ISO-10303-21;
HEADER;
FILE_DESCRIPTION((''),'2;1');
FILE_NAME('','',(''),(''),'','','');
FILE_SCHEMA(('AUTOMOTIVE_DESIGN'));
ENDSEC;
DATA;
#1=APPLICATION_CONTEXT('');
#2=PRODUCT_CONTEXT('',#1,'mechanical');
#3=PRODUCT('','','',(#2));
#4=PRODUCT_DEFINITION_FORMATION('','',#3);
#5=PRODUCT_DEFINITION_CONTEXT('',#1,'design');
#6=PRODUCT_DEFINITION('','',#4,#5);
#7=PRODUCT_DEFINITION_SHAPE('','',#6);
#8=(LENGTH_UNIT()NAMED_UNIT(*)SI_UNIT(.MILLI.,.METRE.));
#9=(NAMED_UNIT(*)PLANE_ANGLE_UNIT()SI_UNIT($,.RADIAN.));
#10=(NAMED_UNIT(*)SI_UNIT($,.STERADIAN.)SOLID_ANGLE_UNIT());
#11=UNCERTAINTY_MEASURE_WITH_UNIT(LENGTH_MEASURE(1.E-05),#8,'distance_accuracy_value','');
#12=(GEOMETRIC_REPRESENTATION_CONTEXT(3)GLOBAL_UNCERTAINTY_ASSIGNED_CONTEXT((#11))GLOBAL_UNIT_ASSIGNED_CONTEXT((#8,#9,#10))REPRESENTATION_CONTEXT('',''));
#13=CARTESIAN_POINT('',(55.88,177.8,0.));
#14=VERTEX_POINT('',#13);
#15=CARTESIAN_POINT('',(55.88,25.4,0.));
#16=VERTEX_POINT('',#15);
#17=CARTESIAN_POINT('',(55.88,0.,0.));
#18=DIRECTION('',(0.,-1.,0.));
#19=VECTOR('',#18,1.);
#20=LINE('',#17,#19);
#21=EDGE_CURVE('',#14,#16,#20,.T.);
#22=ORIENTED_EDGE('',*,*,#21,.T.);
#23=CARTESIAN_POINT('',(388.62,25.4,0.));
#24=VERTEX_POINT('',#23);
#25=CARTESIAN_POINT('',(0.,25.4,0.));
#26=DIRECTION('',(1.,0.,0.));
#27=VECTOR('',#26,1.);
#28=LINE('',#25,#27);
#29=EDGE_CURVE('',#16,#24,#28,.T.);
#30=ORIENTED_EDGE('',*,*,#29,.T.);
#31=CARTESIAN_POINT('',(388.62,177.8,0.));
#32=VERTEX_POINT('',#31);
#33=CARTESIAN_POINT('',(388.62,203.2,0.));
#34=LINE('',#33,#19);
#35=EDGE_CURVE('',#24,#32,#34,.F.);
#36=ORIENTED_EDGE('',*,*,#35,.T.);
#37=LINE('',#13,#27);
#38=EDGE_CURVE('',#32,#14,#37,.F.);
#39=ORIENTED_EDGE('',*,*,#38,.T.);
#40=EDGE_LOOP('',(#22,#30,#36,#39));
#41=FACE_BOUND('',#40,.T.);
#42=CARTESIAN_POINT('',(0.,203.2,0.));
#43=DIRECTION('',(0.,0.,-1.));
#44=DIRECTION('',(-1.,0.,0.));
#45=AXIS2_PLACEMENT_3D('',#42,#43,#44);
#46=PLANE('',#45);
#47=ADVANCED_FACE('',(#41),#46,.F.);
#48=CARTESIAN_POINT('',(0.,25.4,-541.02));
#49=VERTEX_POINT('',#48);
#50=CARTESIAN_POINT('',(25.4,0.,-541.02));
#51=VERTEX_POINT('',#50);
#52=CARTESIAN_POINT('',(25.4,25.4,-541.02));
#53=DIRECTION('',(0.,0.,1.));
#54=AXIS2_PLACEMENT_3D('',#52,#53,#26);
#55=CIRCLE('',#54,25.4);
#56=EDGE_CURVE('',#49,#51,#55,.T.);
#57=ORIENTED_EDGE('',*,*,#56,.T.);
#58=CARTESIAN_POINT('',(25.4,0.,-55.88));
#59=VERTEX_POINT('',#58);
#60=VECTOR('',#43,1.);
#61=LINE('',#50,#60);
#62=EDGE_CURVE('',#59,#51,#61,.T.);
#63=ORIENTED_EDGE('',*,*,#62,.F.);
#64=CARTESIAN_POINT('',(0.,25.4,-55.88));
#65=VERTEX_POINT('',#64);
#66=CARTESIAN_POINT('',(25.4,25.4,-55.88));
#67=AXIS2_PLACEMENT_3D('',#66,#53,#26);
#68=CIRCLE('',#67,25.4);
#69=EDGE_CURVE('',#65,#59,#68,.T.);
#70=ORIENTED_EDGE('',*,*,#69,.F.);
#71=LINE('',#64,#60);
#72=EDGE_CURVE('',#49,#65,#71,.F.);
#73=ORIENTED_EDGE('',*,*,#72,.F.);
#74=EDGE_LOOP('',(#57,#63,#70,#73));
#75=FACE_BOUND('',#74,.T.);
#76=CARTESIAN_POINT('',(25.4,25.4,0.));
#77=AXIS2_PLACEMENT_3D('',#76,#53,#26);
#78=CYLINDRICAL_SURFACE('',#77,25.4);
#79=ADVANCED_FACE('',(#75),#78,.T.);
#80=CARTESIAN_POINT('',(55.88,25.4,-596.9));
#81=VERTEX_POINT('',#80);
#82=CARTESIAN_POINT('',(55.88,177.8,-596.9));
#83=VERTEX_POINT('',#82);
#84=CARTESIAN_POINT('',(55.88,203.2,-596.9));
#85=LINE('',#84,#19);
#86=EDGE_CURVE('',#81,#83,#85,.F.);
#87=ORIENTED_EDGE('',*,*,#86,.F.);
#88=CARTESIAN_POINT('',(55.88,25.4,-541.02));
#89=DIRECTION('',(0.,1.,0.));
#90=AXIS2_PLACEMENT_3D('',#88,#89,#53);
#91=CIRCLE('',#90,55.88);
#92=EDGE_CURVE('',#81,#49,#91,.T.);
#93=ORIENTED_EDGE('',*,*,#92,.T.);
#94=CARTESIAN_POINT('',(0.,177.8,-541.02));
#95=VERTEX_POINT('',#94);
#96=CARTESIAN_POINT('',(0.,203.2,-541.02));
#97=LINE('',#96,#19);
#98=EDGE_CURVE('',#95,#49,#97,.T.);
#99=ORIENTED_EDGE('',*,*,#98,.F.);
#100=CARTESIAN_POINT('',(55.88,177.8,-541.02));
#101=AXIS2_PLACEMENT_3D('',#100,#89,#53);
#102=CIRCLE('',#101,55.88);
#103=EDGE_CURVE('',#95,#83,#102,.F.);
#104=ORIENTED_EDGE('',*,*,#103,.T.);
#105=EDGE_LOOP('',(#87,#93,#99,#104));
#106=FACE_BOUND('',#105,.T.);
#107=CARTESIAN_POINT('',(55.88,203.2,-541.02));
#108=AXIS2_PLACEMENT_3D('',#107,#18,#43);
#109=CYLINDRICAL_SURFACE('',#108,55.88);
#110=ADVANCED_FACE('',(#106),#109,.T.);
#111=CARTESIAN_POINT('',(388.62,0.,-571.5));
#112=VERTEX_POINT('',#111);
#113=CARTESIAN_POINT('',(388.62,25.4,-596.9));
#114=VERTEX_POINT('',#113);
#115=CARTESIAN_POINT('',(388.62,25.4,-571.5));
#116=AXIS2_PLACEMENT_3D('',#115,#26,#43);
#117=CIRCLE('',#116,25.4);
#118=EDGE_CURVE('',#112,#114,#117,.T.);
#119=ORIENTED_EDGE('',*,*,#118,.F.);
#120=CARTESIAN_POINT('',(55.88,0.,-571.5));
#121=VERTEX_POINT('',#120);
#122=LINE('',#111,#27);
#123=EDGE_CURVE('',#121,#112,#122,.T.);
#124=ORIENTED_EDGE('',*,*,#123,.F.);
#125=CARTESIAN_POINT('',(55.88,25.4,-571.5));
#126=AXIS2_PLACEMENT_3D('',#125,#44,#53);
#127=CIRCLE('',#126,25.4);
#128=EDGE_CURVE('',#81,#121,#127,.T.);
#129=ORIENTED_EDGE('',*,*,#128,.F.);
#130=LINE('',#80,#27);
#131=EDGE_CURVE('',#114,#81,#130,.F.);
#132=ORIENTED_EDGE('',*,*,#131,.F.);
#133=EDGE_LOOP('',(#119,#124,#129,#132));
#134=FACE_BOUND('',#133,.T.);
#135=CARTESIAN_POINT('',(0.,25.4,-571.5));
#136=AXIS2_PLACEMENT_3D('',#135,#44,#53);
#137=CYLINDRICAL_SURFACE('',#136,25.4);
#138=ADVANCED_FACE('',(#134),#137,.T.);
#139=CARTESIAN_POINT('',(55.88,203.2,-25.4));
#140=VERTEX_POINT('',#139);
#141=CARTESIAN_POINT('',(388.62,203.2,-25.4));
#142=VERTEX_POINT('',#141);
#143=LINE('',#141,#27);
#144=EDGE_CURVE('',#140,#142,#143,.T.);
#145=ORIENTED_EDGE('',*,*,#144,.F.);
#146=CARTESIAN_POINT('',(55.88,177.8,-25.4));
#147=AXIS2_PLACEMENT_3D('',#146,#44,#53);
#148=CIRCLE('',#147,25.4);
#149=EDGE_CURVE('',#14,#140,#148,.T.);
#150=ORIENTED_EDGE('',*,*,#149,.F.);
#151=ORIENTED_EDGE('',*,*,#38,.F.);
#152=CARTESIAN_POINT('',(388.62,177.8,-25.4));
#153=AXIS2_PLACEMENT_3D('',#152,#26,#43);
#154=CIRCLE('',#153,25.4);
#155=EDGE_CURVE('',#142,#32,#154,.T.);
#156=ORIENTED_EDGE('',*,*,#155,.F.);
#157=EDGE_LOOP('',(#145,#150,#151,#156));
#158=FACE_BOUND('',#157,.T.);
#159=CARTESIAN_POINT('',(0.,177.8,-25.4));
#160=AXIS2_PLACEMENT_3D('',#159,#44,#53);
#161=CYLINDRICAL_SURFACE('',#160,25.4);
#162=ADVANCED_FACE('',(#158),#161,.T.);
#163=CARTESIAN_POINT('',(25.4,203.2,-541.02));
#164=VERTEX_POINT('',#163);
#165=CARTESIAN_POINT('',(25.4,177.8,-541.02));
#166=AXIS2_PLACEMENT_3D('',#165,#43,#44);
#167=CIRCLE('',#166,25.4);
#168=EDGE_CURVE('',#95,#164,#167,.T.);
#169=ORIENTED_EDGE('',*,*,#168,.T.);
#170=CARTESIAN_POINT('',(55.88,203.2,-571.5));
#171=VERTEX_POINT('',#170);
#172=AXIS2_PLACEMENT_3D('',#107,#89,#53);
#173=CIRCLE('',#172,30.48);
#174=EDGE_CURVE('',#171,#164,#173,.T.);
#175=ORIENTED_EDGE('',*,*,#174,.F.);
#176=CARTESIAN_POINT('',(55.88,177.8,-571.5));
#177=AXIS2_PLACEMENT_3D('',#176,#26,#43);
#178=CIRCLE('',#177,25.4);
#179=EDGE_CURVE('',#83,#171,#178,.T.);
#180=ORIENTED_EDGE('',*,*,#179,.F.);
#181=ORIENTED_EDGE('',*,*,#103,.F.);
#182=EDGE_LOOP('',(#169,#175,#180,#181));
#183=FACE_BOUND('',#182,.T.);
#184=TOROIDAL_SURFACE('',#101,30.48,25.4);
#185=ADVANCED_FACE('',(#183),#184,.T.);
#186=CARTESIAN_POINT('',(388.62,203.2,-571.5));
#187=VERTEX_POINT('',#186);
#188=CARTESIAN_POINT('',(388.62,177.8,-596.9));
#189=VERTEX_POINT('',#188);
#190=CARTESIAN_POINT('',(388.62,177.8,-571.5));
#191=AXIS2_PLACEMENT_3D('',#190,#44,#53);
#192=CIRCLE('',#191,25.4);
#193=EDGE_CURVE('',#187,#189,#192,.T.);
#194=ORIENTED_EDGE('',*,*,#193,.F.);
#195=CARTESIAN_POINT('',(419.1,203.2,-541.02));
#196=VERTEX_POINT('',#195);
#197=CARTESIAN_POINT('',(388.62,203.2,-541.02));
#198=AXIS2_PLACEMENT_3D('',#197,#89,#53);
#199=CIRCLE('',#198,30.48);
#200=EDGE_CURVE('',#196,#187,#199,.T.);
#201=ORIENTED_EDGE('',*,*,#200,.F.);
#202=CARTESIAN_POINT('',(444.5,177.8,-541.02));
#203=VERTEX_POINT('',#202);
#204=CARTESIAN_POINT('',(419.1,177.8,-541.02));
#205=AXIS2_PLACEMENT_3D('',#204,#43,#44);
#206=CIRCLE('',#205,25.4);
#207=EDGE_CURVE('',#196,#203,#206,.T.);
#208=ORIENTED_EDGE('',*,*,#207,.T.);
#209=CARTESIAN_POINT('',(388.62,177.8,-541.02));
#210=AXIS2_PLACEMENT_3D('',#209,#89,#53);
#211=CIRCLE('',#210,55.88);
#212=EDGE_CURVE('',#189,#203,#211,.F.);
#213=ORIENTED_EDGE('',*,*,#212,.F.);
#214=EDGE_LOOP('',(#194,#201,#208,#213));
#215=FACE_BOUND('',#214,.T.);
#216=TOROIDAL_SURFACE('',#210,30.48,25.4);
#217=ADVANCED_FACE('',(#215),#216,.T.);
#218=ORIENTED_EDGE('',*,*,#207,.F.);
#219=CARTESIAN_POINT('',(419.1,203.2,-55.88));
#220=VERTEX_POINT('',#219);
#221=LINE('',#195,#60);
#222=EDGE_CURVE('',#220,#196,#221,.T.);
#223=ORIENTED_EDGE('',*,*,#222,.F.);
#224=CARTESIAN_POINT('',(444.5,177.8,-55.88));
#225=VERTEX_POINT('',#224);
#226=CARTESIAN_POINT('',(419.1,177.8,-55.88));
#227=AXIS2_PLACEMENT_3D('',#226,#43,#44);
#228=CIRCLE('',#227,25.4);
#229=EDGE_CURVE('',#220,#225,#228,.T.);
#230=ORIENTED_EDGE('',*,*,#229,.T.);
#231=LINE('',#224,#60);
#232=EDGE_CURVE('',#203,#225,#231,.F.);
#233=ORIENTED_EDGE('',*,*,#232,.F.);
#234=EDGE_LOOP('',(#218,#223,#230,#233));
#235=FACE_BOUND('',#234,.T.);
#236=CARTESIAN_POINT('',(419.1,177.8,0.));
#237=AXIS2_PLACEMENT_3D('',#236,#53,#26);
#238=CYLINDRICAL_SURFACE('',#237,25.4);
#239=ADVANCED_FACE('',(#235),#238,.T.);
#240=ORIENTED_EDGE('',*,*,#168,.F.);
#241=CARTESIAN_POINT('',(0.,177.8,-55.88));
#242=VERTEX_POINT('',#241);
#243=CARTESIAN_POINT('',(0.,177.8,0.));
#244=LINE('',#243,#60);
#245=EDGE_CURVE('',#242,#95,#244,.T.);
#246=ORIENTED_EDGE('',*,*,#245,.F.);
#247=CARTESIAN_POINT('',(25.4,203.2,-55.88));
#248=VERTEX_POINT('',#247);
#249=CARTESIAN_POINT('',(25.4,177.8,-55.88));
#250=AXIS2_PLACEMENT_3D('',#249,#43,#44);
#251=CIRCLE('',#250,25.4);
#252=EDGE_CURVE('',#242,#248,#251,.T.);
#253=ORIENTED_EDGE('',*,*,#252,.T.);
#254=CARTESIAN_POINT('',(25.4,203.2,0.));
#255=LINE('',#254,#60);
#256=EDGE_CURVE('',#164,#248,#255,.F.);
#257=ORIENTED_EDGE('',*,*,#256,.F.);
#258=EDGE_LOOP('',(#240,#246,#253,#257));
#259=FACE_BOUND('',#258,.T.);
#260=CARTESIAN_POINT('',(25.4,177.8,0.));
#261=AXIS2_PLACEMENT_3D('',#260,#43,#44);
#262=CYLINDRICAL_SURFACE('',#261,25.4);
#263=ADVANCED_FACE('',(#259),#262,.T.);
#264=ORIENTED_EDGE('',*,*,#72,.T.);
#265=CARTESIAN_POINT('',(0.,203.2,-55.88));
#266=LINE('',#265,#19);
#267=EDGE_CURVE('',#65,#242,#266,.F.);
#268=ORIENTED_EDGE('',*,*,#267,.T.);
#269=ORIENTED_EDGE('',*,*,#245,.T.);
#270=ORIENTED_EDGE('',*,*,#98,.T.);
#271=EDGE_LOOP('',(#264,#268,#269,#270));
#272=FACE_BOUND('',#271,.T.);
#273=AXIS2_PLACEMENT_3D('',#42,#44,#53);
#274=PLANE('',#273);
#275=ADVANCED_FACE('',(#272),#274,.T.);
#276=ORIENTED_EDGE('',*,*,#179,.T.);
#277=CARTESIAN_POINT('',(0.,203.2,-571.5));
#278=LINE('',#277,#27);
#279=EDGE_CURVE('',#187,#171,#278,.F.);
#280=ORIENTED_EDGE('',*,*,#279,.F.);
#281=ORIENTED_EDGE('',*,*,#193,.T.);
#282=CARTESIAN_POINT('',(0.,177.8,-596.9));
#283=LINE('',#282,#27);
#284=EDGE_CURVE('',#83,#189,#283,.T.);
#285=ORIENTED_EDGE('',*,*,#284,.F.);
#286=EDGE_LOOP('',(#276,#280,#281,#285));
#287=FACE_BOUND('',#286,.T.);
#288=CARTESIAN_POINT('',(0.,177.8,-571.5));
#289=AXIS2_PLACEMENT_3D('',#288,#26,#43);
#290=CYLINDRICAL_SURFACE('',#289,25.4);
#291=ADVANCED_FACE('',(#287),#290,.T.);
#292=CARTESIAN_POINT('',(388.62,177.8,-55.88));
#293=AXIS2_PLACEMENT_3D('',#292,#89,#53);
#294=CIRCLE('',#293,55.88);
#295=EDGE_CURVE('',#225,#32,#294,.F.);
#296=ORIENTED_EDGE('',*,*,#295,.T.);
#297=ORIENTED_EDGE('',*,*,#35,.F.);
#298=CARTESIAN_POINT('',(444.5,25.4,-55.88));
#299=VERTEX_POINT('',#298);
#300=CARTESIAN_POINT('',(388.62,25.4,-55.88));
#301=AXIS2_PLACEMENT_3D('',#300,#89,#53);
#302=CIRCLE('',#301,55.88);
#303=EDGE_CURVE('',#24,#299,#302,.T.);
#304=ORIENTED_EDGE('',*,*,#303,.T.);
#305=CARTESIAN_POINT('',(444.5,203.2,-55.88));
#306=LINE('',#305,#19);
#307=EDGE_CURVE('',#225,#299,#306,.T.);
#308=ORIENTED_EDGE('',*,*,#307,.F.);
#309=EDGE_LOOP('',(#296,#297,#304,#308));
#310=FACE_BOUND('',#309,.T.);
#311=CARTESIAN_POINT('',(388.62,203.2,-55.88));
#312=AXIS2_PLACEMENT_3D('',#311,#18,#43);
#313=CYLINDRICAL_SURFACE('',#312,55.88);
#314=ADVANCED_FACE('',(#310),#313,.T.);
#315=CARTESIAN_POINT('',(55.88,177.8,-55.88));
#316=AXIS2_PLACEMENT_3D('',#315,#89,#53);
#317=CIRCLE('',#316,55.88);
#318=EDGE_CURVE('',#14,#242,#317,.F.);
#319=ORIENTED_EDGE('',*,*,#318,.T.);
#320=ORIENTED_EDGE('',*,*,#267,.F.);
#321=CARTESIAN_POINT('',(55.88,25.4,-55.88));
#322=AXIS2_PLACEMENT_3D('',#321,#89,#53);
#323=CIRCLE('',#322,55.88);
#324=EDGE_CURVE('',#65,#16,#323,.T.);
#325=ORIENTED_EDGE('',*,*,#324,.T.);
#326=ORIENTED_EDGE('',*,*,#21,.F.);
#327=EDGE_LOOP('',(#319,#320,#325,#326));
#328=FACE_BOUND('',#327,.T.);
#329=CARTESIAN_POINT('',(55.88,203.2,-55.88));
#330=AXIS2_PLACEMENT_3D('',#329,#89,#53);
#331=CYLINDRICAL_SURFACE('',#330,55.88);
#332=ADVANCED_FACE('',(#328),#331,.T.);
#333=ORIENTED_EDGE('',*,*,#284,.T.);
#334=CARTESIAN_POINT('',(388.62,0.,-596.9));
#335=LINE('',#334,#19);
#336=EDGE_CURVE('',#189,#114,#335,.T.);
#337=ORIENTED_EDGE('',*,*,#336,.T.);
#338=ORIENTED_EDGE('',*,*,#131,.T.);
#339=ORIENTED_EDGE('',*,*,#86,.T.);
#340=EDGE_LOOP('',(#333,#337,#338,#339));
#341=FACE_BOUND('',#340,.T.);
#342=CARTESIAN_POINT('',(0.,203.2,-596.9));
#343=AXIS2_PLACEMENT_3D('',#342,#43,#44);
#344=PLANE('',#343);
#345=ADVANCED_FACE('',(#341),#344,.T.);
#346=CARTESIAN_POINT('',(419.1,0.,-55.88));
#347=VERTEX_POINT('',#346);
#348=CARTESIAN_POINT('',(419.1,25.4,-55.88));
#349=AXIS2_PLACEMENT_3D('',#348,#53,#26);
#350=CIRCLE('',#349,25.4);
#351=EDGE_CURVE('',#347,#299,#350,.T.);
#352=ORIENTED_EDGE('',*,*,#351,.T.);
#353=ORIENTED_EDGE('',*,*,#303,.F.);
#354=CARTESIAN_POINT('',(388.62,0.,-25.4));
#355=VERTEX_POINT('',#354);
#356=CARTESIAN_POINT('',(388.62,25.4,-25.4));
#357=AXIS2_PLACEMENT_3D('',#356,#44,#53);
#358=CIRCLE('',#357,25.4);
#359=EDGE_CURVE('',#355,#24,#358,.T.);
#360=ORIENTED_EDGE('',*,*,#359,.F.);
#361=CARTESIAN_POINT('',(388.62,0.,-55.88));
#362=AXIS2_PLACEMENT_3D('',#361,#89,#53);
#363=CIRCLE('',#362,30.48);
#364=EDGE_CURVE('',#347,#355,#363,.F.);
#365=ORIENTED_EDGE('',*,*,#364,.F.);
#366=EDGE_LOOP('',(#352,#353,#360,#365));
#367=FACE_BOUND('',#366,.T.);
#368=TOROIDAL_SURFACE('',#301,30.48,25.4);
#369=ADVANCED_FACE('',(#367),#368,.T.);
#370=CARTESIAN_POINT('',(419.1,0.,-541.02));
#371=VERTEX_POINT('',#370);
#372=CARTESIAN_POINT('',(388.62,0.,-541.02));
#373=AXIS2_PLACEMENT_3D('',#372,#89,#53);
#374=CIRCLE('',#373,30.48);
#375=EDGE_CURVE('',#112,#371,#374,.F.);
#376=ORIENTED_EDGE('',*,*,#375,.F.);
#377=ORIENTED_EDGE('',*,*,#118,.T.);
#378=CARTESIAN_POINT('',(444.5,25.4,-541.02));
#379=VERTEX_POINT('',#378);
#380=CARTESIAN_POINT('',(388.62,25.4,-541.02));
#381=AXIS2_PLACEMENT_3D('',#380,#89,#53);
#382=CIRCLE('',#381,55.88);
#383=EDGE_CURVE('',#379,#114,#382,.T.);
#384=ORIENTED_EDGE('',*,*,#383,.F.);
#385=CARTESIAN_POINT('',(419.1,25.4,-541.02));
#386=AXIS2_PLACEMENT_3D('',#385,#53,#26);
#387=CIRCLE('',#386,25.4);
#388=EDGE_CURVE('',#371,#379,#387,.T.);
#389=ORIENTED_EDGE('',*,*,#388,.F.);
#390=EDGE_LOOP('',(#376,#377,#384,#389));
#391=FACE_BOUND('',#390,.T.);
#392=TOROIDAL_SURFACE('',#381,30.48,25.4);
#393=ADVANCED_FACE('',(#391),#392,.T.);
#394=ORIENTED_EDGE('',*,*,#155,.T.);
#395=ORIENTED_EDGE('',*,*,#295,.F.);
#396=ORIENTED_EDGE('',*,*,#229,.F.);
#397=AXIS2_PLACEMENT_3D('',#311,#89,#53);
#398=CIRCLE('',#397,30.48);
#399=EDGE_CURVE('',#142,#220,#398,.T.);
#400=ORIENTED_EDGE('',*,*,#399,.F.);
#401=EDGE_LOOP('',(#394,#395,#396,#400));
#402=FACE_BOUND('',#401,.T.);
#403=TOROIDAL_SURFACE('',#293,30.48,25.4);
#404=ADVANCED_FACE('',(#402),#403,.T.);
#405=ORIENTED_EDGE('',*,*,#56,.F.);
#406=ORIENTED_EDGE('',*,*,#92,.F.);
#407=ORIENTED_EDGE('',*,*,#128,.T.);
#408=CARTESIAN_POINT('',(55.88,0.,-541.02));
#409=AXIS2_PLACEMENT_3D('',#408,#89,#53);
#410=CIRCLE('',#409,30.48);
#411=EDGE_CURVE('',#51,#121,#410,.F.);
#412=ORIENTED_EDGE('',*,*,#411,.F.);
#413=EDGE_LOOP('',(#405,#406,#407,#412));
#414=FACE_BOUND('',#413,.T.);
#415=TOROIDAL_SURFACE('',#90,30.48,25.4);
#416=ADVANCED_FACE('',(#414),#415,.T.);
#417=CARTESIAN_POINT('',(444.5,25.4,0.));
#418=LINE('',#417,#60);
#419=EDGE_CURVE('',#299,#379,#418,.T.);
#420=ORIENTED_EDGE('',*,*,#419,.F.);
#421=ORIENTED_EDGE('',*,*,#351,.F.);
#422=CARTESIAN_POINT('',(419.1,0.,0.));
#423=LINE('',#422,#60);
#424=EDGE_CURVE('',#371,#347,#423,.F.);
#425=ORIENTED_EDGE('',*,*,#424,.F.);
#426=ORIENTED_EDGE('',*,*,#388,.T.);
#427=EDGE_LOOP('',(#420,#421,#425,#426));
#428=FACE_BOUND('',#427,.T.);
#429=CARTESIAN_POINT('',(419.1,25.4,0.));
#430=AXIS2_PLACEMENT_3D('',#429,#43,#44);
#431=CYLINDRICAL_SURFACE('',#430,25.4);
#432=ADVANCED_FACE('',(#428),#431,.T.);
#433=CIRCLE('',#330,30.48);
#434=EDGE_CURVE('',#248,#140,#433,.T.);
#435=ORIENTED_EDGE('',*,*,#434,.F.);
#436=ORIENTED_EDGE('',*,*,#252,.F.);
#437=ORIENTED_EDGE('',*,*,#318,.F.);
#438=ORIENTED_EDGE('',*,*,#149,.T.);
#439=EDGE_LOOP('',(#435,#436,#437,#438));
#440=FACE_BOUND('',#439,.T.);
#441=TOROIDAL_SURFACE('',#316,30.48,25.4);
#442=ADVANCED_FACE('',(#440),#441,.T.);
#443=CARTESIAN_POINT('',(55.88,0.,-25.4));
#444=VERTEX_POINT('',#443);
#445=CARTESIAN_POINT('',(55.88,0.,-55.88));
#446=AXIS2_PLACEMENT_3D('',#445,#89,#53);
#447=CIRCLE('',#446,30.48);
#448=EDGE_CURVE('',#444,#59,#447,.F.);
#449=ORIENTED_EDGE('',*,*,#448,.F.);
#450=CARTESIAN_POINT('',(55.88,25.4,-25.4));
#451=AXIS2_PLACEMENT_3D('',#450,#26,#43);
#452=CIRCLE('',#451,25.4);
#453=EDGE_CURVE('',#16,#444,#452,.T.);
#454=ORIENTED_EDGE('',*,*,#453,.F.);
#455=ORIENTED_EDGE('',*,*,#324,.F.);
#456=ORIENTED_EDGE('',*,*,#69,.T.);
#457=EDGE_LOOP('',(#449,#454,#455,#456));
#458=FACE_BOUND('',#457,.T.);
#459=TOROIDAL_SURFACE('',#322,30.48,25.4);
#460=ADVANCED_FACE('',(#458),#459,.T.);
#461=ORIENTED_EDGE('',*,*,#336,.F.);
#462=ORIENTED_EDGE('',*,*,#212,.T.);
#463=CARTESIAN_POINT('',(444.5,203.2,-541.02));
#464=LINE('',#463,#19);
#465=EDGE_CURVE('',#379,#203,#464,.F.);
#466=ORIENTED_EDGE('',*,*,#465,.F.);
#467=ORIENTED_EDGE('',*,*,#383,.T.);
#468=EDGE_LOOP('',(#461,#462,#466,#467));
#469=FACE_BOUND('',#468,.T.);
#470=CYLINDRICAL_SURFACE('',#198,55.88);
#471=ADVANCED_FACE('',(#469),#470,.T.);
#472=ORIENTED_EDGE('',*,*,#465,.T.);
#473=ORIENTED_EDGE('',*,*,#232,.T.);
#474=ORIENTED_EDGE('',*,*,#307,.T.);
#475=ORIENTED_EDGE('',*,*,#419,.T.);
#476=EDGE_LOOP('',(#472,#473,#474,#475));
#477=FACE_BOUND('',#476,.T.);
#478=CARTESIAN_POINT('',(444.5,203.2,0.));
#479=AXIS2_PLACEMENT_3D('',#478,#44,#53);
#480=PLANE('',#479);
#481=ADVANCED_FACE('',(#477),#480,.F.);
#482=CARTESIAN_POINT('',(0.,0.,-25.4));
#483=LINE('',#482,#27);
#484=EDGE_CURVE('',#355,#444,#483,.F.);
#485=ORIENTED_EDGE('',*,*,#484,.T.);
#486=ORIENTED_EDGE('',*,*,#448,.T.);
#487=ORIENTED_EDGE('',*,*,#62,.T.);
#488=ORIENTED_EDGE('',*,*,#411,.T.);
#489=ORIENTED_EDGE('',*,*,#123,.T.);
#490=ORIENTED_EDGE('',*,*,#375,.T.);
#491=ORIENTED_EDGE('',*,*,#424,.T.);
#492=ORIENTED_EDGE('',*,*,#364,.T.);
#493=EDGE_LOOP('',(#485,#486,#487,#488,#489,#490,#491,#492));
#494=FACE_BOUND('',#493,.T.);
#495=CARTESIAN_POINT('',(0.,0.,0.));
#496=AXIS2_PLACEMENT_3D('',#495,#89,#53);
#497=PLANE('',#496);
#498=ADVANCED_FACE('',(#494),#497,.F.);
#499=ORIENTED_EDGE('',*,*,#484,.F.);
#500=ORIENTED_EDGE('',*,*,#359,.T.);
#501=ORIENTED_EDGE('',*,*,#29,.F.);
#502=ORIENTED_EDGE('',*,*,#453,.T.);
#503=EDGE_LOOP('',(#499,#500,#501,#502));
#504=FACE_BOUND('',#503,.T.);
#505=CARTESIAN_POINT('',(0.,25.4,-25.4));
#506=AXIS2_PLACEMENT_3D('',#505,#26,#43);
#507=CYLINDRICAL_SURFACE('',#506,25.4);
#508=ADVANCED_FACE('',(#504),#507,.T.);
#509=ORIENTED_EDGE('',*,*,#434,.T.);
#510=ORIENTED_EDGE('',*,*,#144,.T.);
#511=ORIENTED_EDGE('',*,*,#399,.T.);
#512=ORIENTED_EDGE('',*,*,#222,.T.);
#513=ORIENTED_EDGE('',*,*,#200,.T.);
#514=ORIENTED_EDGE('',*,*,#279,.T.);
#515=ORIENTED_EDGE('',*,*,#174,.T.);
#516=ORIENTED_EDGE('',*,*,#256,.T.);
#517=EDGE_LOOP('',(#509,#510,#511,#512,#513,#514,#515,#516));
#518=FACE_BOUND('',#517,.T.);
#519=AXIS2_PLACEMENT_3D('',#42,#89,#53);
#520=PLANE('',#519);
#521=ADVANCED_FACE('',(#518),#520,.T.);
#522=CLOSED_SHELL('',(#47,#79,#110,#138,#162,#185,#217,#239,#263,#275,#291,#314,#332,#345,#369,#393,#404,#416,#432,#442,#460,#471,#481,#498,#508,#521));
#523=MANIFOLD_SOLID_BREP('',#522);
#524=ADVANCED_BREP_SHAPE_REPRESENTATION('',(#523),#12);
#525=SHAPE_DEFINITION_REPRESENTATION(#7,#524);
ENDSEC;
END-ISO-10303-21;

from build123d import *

# Parameters (mm, degrees)
SKETCH1_W           = 444.5
SKETCH1_H           = 596.9
BOSS_EXTRUDE1_DEPTH = 203.2
FILLET1_R           = 55.88
FILLET2_R           = 25.4


with BuildPart() as part:
    # Sketch1 → Boss-Extrude1 (new body)
    with BuildSketch(Plane(origin=(0, 0, 0), x_dir=(1, 0, 0), z_dir=(0, 1, 0))):
        with Locations((222.25, 298.45)):
            Rectangle(SKETCH1_W, SKETCH1_H)
    extrude(amount=BOSS_EXTRUDE1_DEPTH)

    # Fillet1
    fillet1_edges = [part.edges().sort_by_distance(p)[0] for p in [
        (0, 101.6, 0),
        (0, 101.6, -596.9),
        (444.5, 101.6, -596.9),
        (444.5, 101.6, 0),
    ]]
    fillet(fillet1_edges, radius=FILLET1_R)

    # Fillet2
    fillet2_edges = [part.edges().sort_by_distance(p)[0] for p in [
        (222.25, 0, -596.9),
        (222.25, 203.2, -596.9),
        (222.25, 0, 0),
        (0, 0, -298.45),
        (444.5, 0, -298.45),
        (16.366873067, 0, -16.366873067),
        (428.133126933, 0, -16.366873067),
        (16.366873067, 0, -580.533126933),
        (428.133126933, 0, -580.533126933),
        (444.5, 203.2, -298.45),
        (222.25, 203.2, 0),
        (0, 203.2, -298.45),
        (16.366873067, 203.2, -16.366873067),
        (428.133126933, 203.2, -16.366873067),
        (16.366873067, 203.2, -580.533126933),
        (428.133126933, 203.2, -580.533126933),
    ]]
    fillet(fillet2_edges, radius=FILLET2_R)


solid = part.part
